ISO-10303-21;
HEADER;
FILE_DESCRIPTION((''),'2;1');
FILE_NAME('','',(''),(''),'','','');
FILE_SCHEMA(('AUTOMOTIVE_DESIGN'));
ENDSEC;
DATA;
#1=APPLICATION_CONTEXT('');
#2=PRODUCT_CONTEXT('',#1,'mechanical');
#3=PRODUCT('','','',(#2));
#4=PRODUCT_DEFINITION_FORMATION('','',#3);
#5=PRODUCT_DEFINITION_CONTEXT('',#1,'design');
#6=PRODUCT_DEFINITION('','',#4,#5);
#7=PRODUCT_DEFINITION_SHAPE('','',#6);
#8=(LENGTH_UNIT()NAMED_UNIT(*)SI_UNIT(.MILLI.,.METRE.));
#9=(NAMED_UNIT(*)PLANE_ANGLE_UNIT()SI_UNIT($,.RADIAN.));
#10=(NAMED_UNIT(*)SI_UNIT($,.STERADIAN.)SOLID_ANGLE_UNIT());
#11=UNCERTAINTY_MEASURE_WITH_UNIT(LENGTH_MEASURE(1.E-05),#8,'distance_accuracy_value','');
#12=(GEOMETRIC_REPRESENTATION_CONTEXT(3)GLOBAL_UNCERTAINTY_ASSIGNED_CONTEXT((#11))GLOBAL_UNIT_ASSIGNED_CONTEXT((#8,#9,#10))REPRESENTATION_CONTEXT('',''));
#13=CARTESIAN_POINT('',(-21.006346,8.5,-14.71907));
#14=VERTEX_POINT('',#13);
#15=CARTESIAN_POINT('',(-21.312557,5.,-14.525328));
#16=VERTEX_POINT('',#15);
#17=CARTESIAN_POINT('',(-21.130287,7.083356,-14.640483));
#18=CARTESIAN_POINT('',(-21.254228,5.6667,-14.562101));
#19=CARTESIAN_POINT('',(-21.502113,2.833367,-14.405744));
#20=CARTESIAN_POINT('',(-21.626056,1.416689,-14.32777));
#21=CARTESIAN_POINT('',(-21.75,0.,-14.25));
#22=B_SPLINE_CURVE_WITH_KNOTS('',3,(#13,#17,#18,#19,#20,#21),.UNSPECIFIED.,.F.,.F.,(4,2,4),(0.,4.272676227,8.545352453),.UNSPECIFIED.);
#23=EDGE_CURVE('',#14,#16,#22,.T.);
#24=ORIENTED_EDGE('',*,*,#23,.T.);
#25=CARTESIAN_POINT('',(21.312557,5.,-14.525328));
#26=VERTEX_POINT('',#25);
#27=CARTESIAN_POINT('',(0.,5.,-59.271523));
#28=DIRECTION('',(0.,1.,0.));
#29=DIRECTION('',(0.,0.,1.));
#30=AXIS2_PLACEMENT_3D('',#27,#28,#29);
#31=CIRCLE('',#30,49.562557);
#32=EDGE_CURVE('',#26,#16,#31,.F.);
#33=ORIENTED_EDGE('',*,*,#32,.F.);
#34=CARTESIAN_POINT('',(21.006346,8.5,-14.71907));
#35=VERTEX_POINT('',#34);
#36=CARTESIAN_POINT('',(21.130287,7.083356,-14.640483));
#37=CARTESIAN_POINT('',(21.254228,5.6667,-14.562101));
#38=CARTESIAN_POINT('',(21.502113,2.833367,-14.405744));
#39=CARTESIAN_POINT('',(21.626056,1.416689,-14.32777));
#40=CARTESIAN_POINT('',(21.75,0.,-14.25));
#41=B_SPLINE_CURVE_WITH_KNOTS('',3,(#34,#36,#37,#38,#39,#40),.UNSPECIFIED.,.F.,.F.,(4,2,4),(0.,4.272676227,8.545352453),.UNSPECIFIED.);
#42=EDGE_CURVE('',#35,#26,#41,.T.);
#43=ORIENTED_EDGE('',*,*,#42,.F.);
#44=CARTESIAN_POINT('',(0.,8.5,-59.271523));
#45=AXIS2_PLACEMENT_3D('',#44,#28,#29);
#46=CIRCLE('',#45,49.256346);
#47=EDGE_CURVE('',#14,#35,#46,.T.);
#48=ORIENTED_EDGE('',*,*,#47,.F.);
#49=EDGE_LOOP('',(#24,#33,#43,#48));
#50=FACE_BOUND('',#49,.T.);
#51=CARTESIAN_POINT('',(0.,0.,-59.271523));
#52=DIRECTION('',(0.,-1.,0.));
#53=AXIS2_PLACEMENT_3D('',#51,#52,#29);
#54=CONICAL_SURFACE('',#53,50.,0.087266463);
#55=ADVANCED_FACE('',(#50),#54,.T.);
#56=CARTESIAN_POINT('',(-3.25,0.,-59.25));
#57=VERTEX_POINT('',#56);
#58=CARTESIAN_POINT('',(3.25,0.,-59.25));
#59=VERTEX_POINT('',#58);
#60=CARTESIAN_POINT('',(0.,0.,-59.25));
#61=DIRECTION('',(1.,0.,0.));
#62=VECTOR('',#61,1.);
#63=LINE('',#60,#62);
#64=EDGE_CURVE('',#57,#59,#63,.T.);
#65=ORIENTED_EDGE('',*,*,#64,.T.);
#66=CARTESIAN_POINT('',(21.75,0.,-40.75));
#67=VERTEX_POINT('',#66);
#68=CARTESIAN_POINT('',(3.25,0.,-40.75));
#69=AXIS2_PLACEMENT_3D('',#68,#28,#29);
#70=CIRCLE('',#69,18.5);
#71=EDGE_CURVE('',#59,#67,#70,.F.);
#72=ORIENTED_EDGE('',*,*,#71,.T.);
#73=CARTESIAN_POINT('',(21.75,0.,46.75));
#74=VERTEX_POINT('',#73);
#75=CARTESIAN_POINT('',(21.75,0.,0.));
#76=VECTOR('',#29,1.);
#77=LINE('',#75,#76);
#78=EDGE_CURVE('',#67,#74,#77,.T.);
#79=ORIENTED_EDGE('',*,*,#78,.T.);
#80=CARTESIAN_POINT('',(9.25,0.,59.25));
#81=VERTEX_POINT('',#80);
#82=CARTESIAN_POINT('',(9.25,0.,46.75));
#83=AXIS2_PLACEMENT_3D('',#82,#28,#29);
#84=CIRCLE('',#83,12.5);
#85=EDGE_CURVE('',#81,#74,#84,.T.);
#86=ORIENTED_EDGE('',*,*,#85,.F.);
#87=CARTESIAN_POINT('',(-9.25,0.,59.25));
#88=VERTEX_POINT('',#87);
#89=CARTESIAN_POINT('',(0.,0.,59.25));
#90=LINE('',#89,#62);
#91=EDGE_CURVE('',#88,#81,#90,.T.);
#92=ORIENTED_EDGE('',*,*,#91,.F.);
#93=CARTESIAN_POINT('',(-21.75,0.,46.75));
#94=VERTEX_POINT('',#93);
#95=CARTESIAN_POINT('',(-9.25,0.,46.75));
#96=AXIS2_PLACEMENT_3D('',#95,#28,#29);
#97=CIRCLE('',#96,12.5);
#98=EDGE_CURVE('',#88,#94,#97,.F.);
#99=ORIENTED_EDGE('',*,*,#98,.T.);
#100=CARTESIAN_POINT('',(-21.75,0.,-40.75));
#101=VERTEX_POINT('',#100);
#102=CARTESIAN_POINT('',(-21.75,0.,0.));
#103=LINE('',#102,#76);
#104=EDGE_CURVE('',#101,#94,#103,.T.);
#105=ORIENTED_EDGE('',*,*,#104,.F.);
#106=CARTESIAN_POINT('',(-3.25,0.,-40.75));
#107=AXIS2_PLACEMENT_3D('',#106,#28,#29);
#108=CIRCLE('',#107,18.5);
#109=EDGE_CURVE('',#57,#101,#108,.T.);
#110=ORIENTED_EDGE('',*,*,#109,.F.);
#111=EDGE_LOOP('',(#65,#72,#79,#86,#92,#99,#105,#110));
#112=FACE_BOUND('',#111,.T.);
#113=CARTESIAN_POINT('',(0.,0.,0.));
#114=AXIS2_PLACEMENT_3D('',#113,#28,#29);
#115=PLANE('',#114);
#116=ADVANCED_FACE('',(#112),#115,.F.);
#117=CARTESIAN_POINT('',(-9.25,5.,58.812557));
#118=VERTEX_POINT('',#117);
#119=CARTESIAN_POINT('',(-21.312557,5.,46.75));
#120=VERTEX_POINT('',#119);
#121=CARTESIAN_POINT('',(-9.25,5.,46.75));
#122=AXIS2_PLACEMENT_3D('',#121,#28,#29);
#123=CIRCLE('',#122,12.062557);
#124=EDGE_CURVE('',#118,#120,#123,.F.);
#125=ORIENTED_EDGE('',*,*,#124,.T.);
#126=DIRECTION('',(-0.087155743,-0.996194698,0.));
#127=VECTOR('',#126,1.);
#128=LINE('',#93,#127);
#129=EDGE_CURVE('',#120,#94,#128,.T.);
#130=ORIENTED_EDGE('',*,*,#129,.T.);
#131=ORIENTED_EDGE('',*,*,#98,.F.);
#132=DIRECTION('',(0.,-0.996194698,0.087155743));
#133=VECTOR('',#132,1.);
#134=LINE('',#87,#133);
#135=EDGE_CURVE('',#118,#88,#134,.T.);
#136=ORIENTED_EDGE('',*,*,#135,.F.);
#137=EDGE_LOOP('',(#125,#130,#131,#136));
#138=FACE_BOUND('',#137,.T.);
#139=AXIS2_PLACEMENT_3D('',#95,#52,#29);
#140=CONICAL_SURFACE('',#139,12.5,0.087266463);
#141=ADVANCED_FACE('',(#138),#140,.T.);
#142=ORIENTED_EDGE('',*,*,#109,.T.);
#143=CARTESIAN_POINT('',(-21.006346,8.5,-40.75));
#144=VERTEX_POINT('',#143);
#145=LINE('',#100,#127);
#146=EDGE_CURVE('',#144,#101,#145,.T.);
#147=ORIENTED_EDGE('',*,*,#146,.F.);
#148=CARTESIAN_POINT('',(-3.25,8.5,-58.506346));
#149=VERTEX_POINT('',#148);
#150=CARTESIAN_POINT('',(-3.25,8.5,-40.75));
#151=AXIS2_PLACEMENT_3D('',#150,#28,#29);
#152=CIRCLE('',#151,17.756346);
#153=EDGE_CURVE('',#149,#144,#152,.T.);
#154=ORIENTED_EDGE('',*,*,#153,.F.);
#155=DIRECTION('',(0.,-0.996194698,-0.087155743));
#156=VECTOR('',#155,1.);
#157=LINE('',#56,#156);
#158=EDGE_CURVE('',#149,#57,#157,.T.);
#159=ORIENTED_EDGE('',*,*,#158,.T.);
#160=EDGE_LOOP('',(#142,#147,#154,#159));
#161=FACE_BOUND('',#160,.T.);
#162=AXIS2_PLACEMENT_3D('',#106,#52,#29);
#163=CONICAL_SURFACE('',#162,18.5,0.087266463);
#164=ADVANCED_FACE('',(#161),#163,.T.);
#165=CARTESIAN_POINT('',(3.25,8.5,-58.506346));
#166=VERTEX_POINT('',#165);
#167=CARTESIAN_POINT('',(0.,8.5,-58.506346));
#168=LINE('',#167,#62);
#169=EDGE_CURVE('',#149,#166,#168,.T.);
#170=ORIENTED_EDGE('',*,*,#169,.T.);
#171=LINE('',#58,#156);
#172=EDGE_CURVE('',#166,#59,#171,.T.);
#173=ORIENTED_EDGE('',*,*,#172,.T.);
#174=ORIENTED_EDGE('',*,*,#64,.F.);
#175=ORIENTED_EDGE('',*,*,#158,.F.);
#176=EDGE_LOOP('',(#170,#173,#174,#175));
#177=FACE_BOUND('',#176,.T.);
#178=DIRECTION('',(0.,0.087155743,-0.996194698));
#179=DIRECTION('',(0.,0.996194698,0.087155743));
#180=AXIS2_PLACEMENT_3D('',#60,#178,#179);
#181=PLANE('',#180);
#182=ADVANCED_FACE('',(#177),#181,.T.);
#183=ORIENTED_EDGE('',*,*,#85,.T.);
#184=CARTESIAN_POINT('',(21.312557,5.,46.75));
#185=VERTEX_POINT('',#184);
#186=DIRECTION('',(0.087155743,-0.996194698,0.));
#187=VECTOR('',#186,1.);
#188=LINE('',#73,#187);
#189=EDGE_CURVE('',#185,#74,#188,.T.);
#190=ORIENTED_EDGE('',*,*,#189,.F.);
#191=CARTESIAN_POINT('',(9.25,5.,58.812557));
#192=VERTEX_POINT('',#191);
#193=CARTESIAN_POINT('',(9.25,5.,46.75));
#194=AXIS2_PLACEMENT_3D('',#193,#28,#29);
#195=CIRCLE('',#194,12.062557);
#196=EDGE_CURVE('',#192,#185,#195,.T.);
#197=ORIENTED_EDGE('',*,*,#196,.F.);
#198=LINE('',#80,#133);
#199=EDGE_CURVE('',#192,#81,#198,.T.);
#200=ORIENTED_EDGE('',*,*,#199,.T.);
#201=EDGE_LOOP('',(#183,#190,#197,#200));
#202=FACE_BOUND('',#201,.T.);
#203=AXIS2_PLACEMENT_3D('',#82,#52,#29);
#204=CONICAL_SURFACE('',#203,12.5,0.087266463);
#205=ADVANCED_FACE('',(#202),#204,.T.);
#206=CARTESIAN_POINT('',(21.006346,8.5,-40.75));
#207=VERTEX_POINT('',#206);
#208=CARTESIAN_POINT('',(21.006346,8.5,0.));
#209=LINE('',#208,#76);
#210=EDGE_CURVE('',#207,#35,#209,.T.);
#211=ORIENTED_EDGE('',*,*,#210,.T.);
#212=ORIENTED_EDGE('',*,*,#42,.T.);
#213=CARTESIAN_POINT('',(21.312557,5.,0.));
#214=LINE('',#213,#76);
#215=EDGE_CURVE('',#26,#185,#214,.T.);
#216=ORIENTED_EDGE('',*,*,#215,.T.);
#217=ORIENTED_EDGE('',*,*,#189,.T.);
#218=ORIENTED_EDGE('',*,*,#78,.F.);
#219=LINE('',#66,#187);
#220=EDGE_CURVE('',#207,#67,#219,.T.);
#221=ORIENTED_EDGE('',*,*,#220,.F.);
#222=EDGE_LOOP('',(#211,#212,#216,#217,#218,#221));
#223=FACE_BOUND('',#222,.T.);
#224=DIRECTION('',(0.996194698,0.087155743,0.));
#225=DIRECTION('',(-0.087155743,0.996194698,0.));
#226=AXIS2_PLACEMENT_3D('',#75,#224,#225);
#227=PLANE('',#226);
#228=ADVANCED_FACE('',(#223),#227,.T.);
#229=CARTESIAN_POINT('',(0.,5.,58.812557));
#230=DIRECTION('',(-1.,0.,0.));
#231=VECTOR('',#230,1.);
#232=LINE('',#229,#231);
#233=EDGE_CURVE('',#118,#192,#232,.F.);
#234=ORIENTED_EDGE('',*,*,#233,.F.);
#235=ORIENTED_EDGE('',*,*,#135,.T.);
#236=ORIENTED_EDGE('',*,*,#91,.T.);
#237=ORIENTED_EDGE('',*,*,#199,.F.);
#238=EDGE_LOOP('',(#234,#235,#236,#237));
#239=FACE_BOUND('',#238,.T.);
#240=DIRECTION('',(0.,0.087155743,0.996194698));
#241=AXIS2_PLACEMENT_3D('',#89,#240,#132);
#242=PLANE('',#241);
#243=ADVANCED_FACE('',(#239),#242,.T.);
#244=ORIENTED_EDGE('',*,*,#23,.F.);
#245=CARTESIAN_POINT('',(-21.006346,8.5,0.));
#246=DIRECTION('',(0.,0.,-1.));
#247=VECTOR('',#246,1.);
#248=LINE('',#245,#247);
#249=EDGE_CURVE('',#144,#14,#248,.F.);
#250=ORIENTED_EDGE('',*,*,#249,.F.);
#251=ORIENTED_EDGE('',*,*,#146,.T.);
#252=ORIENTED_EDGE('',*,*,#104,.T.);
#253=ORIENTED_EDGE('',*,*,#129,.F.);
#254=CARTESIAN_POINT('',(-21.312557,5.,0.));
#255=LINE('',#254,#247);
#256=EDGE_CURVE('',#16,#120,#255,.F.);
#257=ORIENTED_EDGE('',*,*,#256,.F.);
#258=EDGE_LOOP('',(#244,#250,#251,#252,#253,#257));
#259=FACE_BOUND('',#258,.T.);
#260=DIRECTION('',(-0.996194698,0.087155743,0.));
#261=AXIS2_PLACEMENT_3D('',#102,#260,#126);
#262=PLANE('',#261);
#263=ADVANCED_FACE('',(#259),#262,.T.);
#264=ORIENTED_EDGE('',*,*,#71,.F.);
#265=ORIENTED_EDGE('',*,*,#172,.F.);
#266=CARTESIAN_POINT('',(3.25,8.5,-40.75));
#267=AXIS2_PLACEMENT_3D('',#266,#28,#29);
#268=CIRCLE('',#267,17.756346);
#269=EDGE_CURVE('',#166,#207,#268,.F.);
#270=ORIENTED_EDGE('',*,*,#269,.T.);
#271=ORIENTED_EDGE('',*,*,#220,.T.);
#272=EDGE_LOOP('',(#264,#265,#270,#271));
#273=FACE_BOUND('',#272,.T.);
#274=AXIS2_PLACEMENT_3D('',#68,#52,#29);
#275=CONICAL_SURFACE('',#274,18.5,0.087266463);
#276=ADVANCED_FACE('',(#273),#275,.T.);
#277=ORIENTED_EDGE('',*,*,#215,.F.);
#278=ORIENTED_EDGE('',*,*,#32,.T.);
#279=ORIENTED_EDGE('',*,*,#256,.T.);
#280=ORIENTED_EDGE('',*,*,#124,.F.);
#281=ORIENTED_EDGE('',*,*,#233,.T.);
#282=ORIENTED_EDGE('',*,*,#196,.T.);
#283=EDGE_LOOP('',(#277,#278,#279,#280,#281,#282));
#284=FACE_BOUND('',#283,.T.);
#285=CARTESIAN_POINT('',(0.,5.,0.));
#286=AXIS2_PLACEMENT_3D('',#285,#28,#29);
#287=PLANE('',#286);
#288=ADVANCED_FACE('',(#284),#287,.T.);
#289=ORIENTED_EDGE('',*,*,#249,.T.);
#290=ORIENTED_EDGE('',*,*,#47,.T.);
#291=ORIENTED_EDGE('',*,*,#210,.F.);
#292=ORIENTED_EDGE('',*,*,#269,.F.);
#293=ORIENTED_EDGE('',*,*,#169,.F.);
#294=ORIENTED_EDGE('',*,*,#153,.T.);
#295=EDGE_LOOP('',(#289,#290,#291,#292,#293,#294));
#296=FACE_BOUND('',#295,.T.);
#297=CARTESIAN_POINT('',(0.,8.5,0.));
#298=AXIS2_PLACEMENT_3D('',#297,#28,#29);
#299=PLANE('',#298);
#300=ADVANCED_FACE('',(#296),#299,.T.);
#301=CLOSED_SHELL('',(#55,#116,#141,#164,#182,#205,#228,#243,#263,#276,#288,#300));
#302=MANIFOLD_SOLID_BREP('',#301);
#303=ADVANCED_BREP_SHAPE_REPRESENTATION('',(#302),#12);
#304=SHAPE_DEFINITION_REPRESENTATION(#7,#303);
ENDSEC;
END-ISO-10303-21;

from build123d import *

# Parameters (mm, degrees)
BOSS_EXTRUDE1_DEPTH = 5
BOSS_EXTRUDE1_TAPER = 5
BOSS_EXTRUDE2_DEPTH = 8.5
BOSS_EXTRUDE2_TAPER = 5


with BuildPart() as part:
    # Sketch1 → Boss-Extrude1 (new body)
    with BuildSketch(Plane(origin=(0, 0, 0), x_dir=(1, 0, 0), z_dir=(0, 1, 0))):
        with BuildLine():
            ThreePointArc((-3.25, 59.25), (-16.331475452, 53.831475452), (-21.75, 40.75))
            Line((-21.75, 40.75), (-21.75, -46.75))
            ThreePointArc((-21.75, -46.75), (-18.088834765, -55.588834765), (-9.25, -59.25))
            Line((-9.25, -59.25), (9.25, -59.25))
            ThreePointArc((9.25, -59.25), (18.088834765, -55.588834765), (21.75, -46.75))
            Line((21.75, -46.75), (21.75, 40.75))
            ThreePointArc((21.75, 40.75), (16.331475452, 53.831475452), (3.25, 59.25))
            Line((3.25, 59.25), (-3.25, 59.25))
        make_face()
    extrude(amount=BOSS_EXTRUDE1_DEPTH, taper=BOSS_EXTRUDE1_TAPER)

    # Sketch1<3> → Boss-Extrude2 (add)
    with BuildSketch(Plane(origin=(0, 0, 0), x_dir=(1, 0, 0), z_dir=(0, 1, 0))):
        with BuildLine():
            Line((3.25, 59.25), (-3.25, 59.25))
            ThreePointArc((-3.25, 59.25), (-16.331475452, 53.831475452), (-21.75, 40.75))
            Line((-21.75, 40.75), (-21.75, 14.25))
            ThreePointArc((-21.75, 14.25), (0, 9.271522631), (21.75, 14.25))
            Line((21.75, 14.25), (21.75, 40.75))
            ThreePointArc((21.75, 40.75), (16.331475452, 53.831475452), (3.25, 59.25))
        make_face()
    extrude(amount=BOSS_EXTRUDE2_DEPTH, taper=BOSS_EXTRUDE2_TAPER)


solid = part.part
